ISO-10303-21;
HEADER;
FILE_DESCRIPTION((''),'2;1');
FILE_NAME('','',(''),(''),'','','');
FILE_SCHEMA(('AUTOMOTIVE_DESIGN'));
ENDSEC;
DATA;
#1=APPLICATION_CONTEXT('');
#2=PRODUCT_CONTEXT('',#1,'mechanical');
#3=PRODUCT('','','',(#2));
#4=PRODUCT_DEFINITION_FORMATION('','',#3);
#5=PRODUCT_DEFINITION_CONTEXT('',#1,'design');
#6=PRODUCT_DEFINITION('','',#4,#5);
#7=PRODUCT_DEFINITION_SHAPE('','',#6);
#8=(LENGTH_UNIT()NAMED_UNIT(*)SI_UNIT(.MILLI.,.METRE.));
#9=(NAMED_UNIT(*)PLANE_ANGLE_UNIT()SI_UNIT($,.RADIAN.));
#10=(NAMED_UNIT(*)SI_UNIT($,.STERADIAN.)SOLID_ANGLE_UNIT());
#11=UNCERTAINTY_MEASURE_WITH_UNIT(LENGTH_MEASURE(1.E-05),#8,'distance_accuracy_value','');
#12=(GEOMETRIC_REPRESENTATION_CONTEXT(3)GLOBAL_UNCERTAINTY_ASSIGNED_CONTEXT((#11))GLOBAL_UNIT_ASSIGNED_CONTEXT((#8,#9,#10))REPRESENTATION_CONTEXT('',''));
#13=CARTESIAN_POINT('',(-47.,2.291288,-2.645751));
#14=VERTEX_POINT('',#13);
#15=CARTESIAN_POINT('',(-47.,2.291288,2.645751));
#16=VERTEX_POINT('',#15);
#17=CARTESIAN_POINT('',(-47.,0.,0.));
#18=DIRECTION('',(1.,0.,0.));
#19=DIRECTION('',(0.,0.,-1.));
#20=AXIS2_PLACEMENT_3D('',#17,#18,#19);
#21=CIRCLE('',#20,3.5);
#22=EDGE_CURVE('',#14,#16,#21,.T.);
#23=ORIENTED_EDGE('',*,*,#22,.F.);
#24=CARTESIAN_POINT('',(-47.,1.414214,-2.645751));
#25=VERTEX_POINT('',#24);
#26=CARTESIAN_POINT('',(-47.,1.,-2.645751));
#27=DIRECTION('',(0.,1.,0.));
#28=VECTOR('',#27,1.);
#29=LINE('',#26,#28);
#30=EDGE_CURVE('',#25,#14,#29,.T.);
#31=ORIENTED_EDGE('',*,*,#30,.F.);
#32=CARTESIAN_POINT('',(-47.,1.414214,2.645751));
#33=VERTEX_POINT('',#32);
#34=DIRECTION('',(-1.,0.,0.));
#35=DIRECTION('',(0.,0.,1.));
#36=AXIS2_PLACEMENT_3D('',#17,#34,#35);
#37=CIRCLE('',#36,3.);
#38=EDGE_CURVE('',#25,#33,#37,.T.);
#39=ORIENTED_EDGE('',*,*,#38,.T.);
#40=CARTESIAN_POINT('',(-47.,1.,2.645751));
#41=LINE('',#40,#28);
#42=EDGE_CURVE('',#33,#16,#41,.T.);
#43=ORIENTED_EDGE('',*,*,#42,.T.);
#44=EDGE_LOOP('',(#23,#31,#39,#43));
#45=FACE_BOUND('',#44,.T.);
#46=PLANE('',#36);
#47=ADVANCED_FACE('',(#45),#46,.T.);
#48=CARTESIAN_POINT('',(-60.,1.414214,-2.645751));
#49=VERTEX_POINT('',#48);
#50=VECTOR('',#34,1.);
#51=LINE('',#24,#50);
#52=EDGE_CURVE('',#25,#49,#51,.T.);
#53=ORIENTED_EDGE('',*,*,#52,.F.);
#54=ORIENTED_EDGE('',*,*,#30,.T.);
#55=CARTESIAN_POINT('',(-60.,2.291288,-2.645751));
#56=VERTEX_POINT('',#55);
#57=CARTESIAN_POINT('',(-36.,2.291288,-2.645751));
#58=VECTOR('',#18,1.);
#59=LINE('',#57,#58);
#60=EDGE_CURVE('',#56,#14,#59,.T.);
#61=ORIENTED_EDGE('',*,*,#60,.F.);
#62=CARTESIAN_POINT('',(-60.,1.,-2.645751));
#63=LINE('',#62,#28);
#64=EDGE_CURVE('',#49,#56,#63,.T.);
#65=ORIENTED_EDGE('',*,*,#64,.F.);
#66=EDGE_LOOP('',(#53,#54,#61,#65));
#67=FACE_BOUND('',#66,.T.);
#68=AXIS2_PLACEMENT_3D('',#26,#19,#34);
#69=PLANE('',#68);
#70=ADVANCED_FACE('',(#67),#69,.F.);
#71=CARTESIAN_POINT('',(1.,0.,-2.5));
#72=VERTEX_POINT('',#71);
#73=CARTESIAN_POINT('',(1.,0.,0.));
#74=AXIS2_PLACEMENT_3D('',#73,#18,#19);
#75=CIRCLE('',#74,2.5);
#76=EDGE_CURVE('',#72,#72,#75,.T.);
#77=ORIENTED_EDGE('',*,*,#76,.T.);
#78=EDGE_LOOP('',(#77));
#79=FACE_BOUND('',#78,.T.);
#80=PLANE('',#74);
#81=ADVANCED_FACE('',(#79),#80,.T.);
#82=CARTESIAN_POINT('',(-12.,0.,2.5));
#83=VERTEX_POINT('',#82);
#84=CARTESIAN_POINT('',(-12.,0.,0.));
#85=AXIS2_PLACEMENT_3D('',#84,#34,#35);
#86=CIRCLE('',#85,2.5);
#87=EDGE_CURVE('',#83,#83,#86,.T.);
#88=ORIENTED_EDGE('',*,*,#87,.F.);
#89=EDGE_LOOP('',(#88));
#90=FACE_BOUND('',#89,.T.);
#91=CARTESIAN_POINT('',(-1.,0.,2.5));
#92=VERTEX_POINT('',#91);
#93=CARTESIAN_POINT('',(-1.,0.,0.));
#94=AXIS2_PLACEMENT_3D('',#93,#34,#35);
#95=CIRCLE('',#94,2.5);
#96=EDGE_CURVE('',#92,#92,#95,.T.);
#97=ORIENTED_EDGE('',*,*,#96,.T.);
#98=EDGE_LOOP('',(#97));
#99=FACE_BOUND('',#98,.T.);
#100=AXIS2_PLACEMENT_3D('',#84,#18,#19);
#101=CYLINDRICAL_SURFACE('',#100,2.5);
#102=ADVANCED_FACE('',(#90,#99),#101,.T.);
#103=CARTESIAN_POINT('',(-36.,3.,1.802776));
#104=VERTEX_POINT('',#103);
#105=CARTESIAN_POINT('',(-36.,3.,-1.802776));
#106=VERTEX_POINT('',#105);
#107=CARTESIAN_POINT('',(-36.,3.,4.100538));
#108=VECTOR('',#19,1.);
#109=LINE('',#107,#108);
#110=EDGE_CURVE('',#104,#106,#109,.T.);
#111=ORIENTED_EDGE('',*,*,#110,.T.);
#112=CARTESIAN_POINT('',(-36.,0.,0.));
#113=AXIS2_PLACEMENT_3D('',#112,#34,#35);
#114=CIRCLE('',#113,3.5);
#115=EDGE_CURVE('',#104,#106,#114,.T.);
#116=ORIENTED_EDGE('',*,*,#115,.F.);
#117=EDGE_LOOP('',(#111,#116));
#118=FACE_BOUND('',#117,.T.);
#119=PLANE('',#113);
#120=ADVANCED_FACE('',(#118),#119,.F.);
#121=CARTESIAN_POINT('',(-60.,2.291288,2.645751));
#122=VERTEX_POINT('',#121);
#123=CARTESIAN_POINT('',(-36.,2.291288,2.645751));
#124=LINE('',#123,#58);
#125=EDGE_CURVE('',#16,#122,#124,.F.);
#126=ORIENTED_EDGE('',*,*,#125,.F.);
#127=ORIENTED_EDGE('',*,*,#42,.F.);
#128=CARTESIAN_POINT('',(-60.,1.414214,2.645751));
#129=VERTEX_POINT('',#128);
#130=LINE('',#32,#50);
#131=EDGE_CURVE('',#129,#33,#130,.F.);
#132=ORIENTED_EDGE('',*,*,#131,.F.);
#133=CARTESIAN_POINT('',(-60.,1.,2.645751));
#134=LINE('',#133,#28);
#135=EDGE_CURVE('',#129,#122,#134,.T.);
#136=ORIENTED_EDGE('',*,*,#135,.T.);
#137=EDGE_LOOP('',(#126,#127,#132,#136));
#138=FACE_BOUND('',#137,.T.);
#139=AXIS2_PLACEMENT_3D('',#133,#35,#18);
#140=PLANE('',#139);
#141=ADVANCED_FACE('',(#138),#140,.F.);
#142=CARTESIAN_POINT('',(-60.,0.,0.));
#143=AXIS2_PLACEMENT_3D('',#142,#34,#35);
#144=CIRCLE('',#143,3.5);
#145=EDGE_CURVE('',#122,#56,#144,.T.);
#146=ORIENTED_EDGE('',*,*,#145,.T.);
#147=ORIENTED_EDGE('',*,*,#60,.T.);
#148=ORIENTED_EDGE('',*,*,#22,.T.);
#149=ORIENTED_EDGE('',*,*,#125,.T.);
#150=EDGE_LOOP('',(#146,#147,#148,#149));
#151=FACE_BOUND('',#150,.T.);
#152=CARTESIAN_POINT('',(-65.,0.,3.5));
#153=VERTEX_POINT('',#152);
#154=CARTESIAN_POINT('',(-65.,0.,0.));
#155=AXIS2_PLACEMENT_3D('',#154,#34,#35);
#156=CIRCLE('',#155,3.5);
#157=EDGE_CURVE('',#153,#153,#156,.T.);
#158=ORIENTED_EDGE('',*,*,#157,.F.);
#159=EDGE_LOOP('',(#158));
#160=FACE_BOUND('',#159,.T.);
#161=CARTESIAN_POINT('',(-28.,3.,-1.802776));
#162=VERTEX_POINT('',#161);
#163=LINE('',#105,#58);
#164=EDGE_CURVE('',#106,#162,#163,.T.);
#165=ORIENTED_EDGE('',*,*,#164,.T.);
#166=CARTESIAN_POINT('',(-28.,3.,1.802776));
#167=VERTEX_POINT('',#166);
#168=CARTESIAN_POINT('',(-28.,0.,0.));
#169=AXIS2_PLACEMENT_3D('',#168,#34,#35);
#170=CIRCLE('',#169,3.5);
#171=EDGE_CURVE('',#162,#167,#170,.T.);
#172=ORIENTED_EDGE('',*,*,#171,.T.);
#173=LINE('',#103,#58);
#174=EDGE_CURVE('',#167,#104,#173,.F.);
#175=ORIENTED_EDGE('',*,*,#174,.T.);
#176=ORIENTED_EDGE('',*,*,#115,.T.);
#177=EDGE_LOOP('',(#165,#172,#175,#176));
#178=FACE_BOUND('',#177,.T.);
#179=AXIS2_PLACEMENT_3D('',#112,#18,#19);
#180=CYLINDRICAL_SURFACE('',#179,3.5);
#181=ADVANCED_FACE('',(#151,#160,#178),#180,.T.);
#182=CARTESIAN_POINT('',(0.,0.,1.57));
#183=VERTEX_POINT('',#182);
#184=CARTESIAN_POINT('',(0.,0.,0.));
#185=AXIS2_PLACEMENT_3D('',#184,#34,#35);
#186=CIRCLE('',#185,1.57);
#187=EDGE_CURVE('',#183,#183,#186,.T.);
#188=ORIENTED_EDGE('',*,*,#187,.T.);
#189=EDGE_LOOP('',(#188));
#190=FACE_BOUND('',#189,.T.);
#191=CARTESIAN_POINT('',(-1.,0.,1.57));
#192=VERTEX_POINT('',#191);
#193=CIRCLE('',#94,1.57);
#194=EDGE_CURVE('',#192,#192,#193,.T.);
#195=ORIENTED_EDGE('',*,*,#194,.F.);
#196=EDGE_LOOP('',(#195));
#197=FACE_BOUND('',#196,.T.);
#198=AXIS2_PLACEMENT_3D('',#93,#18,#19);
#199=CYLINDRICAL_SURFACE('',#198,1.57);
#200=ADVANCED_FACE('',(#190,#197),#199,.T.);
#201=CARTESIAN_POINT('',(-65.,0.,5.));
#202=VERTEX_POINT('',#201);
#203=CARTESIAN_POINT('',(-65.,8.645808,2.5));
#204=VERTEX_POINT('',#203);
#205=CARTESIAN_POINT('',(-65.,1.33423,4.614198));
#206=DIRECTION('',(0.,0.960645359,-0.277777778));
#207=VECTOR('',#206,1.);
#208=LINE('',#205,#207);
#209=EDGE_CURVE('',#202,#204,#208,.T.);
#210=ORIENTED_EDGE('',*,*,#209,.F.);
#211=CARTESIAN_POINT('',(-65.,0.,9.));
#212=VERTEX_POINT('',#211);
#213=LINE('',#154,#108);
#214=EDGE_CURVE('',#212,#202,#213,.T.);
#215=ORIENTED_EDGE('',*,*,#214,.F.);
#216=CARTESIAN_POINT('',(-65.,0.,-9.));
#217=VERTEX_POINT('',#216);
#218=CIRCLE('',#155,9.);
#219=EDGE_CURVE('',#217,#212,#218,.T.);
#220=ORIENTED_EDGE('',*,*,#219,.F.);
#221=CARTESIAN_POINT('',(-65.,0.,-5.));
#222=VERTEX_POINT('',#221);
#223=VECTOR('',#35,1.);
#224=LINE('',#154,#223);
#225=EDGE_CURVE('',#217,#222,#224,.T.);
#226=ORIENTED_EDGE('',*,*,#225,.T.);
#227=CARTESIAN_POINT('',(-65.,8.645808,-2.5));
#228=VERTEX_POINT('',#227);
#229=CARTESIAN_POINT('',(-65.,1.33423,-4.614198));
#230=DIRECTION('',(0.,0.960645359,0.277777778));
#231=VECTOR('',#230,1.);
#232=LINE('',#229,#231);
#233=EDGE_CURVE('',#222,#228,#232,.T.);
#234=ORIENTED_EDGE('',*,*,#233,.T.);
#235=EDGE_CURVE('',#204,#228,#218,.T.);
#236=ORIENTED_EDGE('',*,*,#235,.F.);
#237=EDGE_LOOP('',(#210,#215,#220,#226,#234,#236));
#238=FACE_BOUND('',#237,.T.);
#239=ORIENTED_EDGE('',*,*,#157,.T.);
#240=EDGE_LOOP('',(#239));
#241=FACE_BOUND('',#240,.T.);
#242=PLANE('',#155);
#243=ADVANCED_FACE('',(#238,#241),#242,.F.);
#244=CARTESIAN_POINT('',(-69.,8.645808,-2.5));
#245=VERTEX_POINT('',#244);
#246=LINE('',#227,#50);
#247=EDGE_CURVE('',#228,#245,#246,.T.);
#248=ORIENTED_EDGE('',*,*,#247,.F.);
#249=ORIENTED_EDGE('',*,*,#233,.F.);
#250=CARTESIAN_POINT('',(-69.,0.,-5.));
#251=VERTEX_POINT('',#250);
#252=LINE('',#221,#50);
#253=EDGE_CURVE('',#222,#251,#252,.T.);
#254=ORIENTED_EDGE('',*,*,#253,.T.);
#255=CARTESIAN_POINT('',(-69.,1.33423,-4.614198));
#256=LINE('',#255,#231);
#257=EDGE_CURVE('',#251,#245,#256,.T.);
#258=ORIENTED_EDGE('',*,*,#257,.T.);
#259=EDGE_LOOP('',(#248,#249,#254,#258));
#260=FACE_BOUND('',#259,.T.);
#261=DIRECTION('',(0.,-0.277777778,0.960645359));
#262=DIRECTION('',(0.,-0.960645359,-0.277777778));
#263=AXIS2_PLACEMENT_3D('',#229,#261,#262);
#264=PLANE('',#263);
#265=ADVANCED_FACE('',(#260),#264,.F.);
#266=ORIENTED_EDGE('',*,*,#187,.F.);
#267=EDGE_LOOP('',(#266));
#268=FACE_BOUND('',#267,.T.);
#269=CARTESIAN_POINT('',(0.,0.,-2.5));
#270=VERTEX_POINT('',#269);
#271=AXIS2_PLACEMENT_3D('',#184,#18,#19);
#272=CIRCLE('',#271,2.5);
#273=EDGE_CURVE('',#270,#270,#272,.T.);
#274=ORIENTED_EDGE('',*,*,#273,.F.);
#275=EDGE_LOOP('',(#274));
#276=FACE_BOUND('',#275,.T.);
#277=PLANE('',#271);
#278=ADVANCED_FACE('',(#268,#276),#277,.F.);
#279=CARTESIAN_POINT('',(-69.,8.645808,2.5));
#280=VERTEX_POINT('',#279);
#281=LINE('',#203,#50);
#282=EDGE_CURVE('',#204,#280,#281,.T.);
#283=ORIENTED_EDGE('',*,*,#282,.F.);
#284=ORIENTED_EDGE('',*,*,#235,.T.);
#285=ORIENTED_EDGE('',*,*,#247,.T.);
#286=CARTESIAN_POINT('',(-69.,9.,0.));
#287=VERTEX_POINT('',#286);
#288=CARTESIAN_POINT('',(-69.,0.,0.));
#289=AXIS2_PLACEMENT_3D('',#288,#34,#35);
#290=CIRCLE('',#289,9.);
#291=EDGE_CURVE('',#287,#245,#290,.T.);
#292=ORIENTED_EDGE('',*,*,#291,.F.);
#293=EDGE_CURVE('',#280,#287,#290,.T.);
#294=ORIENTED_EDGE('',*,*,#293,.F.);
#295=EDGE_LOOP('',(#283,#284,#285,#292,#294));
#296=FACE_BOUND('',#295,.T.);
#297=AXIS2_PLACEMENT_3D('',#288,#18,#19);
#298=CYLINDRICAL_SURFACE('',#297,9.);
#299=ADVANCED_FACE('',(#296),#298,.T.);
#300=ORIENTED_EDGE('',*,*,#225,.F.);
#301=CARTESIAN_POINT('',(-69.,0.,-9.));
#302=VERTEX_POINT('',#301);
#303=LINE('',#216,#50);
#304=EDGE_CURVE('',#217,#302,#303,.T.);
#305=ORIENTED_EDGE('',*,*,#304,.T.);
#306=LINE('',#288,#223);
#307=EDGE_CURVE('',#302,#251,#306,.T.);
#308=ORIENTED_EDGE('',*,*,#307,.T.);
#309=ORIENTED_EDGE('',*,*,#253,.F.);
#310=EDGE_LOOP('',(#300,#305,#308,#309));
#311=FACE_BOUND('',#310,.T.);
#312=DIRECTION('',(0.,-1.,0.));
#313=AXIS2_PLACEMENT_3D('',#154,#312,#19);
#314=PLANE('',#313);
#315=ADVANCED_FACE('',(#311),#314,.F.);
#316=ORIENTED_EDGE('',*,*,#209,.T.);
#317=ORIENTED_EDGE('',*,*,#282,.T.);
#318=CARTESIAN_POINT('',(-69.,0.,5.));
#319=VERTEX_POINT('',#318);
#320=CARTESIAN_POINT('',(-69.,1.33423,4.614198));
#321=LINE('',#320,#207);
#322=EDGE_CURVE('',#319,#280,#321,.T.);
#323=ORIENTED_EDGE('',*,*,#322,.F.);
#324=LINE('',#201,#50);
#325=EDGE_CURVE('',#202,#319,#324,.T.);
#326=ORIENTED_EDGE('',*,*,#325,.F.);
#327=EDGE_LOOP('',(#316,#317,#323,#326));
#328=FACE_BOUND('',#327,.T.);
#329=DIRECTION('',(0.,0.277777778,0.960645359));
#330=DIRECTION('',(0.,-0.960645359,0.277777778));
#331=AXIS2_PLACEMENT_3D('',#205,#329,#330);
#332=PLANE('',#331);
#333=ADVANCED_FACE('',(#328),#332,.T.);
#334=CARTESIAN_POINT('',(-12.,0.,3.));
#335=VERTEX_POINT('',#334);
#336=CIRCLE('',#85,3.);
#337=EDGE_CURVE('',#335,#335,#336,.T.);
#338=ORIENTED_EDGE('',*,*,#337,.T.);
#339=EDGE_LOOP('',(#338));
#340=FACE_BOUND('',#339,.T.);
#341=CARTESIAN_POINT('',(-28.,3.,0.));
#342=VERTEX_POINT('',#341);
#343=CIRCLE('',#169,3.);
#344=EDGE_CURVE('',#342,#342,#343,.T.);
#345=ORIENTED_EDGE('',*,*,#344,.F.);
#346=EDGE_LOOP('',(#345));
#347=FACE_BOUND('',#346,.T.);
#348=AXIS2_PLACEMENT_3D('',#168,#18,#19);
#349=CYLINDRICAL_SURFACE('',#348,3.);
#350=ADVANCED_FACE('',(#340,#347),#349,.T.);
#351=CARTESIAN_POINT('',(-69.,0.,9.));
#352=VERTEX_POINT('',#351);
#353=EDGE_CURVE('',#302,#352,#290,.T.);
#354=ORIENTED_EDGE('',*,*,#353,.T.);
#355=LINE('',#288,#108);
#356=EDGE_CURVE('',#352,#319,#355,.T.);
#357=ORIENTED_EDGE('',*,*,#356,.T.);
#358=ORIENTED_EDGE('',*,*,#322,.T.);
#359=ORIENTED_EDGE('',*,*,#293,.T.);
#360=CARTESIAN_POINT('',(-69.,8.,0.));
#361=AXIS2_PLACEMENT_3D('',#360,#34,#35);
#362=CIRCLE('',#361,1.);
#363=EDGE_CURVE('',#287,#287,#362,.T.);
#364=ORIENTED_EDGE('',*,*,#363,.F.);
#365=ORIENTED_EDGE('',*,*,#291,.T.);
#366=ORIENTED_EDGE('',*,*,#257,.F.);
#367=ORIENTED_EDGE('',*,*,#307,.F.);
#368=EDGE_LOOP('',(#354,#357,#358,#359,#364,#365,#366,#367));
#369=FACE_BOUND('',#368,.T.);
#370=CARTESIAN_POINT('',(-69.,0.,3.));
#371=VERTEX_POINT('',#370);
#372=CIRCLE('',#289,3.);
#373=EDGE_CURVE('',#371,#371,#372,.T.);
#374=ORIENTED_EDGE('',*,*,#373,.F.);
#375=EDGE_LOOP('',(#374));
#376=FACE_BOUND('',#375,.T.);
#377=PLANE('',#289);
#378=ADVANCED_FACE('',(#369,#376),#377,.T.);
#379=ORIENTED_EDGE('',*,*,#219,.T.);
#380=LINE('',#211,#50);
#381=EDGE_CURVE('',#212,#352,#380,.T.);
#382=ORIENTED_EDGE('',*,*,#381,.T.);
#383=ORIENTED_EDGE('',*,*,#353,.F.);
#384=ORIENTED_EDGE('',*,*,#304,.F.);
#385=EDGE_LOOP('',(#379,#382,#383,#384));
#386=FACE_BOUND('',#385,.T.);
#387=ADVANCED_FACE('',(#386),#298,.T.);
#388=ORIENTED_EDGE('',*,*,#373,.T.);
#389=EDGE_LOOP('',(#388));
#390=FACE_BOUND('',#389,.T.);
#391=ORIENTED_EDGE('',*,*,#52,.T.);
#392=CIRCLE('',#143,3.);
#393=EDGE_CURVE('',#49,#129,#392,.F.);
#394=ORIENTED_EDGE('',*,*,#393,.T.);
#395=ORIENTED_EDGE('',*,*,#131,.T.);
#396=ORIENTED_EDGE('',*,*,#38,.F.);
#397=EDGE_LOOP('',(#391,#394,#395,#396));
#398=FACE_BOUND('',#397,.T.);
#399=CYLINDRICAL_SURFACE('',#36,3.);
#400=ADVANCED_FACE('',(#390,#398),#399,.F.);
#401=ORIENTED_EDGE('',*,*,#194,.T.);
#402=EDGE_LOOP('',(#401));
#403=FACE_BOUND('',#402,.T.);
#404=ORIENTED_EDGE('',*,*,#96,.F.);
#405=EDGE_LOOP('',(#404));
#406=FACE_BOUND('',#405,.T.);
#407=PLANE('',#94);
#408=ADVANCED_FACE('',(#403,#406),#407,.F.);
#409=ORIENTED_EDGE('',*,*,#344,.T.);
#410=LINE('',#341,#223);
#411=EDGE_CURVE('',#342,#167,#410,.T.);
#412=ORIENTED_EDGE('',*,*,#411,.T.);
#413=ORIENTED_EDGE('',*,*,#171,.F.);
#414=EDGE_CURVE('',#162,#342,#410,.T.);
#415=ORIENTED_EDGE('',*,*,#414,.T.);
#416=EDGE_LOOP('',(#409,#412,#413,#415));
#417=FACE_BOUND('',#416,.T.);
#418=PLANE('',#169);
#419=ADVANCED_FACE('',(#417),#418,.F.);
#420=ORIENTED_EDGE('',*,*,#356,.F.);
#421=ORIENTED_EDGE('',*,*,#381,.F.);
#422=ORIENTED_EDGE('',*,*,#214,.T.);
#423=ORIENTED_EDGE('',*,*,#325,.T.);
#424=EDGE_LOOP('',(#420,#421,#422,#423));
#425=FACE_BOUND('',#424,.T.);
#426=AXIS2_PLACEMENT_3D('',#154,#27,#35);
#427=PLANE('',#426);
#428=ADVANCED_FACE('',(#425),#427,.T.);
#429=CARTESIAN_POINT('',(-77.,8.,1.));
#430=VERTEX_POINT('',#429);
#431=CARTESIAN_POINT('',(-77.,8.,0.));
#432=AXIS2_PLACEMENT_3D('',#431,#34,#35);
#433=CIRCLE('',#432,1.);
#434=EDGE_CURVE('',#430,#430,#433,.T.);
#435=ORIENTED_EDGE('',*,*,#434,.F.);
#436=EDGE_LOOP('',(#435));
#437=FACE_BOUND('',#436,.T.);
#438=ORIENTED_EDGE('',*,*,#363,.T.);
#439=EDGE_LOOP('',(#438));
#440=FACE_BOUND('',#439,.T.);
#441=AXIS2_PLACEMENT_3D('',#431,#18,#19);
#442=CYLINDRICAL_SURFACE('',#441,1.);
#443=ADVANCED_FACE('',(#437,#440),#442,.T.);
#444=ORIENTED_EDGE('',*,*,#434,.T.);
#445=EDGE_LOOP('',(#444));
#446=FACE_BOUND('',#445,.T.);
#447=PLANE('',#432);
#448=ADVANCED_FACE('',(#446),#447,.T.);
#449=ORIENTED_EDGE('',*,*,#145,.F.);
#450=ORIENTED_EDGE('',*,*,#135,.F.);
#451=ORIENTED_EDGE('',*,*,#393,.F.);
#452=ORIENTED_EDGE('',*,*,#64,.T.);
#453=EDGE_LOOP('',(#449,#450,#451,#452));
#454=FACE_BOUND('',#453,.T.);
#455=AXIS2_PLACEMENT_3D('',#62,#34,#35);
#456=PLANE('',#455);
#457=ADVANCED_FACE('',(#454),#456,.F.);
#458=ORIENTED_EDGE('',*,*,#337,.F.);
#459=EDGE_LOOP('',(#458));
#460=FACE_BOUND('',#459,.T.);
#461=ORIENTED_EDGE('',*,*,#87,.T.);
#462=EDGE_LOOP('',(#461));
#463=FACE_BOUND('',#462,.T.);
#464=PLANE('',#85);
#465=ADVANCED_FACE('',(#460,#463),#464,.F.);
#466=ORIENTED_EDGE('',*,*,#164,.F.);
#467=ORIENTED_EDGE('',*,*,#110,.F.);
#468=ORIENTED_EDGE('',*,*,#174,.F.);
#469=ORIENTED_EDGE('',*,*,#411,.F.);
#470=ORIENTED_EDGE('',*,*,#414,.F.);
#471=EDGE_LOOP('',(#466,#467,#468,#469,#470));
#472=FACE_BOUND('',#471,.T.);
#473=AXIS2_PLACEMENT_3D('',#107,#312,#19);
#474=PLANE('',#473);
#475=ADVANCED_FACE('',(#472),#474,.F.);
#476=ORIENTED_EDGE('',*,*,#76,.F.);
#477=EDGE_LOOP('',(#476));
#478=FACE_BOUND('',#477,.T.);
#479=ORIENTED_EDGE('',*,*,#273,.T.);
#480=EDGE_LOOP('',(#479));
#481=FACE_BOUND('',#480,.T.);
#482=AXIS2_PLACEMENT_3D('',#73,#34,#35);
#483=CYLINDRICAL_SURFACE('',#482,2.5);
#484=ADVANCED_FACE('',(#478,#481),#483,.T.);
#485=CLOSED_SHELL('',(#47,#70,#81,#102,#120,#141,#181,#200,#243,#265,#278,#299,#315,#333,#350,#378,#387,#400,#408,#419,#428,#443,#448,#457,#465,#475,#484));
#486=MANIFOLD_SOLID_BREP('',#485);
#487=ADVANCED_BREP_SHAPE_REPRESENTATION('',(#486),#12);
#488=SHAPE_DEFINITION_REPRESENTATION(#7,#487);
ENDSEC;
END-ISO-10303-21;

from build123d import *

# Parameters (mm, degrees)
SKETCH1_R           = 2.5
BOSS_EXTRUDE1_DEPTH = 1
SKETCH2_R           = 1.57
BOSS_EXTRUDE2_DEPTH = 1
BOSS_EXTRUDE3_START = 11
SKETCH3_R           = 2.5
BOSS_EXTRUDE3_DEPTH = 11
SKETCH4_R           = 3
BOSS_EXTRUDE4_DEPTH = 16
SKETCH6_R           = 3.5
BOSS_EXTRUDE6_DEPTH = 8
SKETCH7_W           = 8.052083516
SKETCH7_H           = 1.294876405
CUT_EXTRUDE1_DEPTH  = 30.419381367
SKETCH8_R           = 3.5
BOSS_EXTRUDE7_DEPTH = 29
CUT_EXTRUDE2_START  = -18
SKETCH9_R           = 3
CUT_EXTRUDE2_DEPTH  = 18
SKETCH10_W          = 13
SKETCH10_H          = 5.291502622
CUT_EXTRUDE3_DEPTH  = 3
SKETCH11_R          = 9
BOSS_EXTRUDE8_DEPTH = 4
CUT_EXTRUDE4_START  = -4
SKETCH12_R          = 3
CUT_EXTRUDE4_DEPTH  = 4
CUT_EXTRUDE5_START  = -4
CUT_EXTRUDE5_DEPTH  = 4
SKETCH14_R          = 1
BOSS_EXTRUDE9_DEPTH = 8


with BuildPart() as part:
    # Sketch1 → Boss-Extrude1 (new body)
    with BuildSketch(Plane(origin=(0, 0, 0), x_dir=(0, 0, -1), z_dir=(1, 0, 0))):
        Circle(SKETCH1_R)
    extrude(amount=BOSS_EXTRUDE1_DEPTH)

    # Sketch2 → Boss-Extrude2 (add)
    with BuildSketch(Plane.ZY):
        Circle(SKETCH2_R)
    extrude(amount=BOSS_EXTRUDE2_DEPTH)

    # Sketch3 → Boss-Extrude3 (add)
    with BuildSketch(Plane.ZY.offset(1).offset(BOSS_EXTRUDE3_START)):
        with Locations(Location((0, 0, 0), (0, 0, 180))):
            Circle(SKETCH3_R)
    extrude(amount=-BOSS_EXTRUDE3_DEPTH)

    # Sketch4 → Boss-Extrude4 (add)
    with BuildSketch(Plane.ZY.offset(12)):
        Circle(SKETCH4_R)
    extrude(amount=BOSS_EXTRUDE4_DEPTH)

    # Sketch6 → Boss-Extrude6 (add)
    with BuildSketch(Plane.ZY.offset(28)):
        Circle(SKETCH6_R)
    extrude(amount=BOSS_EXTRUDE6_DEPTH)

    # Sketch7 → Cut-Extrude1 (cut, through all)
    with BuildSketch(Plane(origin=(-28, 0, 0), x_dir=(0, 0, -1), z_dir=(1, 0, 0))):
        with Locations((-0.074496348, 3.647438203)):
            Rectangle(SKETCH7_W, SKETCH7_H)
    extrude(amount=-CUT_EXTRUDE1_DEPTH, mode=Mode.SUBTRACT)

    # Sketch8 → Boss-Extrude7 (add)
    with BuildSketch(Plane.ZY.offset(36)):
        with Locations(Location((0, 0, 0), (0, 0, 121.002719134))):
            Circle(SKETCH8_R)
    extrude(amount=BOSS_EXTRUDE7_DEPTH)

    # Sketch9 → Cut-Extrude2 (cut)
    with BuildSketch(Plane.ZY.offset(65).offset(CUT_EXTRUDE2_START)):
        with Locations(Location((0, 0, 0), (0, 0, 90))):
            Circle(SKETCH9_R)
    extrude(amount=CUT_EXTRUDE2_DEPTH, mode=Mode.SUBTRACT)

    # Sketch10 → Cut-Extrude3 (cut)
    with BuildSketch(Plane(origin=(0, 4, 0), x_dir=(1, 0, 0), z_dir=(0, 1, 0))):
        with Locations((-53.5, 0)):
            Rectangle(SKETCH10_W, SKETCH10_H)
    extrude(amount=-CUT_EXTRUDE3_DEPTH, mode=Mode.SUBTRACT)

    # Sketch11 → Boss-Extrude8 (add)
    with BuildSketch(Plane.ZY.offset(65)):
        Circle(SKETCH11_R)
    extrude(amount=BOSS_EXTRUDE8_DEPTH)

    # Sketch12 → Cut-Extrude4 (cut)
    with BuildSketch(Plane.ZY.offset(69).offset(CUT_EXTRUDE4_START)):
        with Locations(Location((0, 0, 0), (0, 0, 90))):
            Circle(SKETCH12_R)
    extrude(amount=CUT_EXTRUDE4_DEPTH, mode=Mode.SUBTRACT)

    # Sketch13 → Cut-Extrude5 (cut)
    with BuildSketch(Plane.ZY.offset(69).offset(CUT_EXTRUDE5_START)):
        with BuildLine():
            ThreePointArc((-2.5, 8.645808233), (-7.193747285, 5.408326913), (-9, 0))
            Line((-9, 0), (-5, 0))
            Line((-5, 0), (-2.5, 8.645808233))
        make_face()
        with BuildLine():
            Line((5, 0), (9, 0))
            ThreePointArc((9, 0), (7.193747285, 5.408326913), (2.5, 8.645808233))
            Line((2.5, 8.645808233), (5, 0))
        make_face()
    extrude(amount=CUT_EXTRUDE5_DEPTH, mode=Mode.SUBTRACT)

    # Sketch14 → Boss-Extrude9 (add)
    with BuildSketch(Plane.ZY.offset(69)):
        with Locations(Location((0, 8, 0), (0, 0, 89.999140318))):
            Circle(SKETCH14_R)
    extrude(amount=BOSS_EXTRUDE9_DEPTH)


solid = part.part
